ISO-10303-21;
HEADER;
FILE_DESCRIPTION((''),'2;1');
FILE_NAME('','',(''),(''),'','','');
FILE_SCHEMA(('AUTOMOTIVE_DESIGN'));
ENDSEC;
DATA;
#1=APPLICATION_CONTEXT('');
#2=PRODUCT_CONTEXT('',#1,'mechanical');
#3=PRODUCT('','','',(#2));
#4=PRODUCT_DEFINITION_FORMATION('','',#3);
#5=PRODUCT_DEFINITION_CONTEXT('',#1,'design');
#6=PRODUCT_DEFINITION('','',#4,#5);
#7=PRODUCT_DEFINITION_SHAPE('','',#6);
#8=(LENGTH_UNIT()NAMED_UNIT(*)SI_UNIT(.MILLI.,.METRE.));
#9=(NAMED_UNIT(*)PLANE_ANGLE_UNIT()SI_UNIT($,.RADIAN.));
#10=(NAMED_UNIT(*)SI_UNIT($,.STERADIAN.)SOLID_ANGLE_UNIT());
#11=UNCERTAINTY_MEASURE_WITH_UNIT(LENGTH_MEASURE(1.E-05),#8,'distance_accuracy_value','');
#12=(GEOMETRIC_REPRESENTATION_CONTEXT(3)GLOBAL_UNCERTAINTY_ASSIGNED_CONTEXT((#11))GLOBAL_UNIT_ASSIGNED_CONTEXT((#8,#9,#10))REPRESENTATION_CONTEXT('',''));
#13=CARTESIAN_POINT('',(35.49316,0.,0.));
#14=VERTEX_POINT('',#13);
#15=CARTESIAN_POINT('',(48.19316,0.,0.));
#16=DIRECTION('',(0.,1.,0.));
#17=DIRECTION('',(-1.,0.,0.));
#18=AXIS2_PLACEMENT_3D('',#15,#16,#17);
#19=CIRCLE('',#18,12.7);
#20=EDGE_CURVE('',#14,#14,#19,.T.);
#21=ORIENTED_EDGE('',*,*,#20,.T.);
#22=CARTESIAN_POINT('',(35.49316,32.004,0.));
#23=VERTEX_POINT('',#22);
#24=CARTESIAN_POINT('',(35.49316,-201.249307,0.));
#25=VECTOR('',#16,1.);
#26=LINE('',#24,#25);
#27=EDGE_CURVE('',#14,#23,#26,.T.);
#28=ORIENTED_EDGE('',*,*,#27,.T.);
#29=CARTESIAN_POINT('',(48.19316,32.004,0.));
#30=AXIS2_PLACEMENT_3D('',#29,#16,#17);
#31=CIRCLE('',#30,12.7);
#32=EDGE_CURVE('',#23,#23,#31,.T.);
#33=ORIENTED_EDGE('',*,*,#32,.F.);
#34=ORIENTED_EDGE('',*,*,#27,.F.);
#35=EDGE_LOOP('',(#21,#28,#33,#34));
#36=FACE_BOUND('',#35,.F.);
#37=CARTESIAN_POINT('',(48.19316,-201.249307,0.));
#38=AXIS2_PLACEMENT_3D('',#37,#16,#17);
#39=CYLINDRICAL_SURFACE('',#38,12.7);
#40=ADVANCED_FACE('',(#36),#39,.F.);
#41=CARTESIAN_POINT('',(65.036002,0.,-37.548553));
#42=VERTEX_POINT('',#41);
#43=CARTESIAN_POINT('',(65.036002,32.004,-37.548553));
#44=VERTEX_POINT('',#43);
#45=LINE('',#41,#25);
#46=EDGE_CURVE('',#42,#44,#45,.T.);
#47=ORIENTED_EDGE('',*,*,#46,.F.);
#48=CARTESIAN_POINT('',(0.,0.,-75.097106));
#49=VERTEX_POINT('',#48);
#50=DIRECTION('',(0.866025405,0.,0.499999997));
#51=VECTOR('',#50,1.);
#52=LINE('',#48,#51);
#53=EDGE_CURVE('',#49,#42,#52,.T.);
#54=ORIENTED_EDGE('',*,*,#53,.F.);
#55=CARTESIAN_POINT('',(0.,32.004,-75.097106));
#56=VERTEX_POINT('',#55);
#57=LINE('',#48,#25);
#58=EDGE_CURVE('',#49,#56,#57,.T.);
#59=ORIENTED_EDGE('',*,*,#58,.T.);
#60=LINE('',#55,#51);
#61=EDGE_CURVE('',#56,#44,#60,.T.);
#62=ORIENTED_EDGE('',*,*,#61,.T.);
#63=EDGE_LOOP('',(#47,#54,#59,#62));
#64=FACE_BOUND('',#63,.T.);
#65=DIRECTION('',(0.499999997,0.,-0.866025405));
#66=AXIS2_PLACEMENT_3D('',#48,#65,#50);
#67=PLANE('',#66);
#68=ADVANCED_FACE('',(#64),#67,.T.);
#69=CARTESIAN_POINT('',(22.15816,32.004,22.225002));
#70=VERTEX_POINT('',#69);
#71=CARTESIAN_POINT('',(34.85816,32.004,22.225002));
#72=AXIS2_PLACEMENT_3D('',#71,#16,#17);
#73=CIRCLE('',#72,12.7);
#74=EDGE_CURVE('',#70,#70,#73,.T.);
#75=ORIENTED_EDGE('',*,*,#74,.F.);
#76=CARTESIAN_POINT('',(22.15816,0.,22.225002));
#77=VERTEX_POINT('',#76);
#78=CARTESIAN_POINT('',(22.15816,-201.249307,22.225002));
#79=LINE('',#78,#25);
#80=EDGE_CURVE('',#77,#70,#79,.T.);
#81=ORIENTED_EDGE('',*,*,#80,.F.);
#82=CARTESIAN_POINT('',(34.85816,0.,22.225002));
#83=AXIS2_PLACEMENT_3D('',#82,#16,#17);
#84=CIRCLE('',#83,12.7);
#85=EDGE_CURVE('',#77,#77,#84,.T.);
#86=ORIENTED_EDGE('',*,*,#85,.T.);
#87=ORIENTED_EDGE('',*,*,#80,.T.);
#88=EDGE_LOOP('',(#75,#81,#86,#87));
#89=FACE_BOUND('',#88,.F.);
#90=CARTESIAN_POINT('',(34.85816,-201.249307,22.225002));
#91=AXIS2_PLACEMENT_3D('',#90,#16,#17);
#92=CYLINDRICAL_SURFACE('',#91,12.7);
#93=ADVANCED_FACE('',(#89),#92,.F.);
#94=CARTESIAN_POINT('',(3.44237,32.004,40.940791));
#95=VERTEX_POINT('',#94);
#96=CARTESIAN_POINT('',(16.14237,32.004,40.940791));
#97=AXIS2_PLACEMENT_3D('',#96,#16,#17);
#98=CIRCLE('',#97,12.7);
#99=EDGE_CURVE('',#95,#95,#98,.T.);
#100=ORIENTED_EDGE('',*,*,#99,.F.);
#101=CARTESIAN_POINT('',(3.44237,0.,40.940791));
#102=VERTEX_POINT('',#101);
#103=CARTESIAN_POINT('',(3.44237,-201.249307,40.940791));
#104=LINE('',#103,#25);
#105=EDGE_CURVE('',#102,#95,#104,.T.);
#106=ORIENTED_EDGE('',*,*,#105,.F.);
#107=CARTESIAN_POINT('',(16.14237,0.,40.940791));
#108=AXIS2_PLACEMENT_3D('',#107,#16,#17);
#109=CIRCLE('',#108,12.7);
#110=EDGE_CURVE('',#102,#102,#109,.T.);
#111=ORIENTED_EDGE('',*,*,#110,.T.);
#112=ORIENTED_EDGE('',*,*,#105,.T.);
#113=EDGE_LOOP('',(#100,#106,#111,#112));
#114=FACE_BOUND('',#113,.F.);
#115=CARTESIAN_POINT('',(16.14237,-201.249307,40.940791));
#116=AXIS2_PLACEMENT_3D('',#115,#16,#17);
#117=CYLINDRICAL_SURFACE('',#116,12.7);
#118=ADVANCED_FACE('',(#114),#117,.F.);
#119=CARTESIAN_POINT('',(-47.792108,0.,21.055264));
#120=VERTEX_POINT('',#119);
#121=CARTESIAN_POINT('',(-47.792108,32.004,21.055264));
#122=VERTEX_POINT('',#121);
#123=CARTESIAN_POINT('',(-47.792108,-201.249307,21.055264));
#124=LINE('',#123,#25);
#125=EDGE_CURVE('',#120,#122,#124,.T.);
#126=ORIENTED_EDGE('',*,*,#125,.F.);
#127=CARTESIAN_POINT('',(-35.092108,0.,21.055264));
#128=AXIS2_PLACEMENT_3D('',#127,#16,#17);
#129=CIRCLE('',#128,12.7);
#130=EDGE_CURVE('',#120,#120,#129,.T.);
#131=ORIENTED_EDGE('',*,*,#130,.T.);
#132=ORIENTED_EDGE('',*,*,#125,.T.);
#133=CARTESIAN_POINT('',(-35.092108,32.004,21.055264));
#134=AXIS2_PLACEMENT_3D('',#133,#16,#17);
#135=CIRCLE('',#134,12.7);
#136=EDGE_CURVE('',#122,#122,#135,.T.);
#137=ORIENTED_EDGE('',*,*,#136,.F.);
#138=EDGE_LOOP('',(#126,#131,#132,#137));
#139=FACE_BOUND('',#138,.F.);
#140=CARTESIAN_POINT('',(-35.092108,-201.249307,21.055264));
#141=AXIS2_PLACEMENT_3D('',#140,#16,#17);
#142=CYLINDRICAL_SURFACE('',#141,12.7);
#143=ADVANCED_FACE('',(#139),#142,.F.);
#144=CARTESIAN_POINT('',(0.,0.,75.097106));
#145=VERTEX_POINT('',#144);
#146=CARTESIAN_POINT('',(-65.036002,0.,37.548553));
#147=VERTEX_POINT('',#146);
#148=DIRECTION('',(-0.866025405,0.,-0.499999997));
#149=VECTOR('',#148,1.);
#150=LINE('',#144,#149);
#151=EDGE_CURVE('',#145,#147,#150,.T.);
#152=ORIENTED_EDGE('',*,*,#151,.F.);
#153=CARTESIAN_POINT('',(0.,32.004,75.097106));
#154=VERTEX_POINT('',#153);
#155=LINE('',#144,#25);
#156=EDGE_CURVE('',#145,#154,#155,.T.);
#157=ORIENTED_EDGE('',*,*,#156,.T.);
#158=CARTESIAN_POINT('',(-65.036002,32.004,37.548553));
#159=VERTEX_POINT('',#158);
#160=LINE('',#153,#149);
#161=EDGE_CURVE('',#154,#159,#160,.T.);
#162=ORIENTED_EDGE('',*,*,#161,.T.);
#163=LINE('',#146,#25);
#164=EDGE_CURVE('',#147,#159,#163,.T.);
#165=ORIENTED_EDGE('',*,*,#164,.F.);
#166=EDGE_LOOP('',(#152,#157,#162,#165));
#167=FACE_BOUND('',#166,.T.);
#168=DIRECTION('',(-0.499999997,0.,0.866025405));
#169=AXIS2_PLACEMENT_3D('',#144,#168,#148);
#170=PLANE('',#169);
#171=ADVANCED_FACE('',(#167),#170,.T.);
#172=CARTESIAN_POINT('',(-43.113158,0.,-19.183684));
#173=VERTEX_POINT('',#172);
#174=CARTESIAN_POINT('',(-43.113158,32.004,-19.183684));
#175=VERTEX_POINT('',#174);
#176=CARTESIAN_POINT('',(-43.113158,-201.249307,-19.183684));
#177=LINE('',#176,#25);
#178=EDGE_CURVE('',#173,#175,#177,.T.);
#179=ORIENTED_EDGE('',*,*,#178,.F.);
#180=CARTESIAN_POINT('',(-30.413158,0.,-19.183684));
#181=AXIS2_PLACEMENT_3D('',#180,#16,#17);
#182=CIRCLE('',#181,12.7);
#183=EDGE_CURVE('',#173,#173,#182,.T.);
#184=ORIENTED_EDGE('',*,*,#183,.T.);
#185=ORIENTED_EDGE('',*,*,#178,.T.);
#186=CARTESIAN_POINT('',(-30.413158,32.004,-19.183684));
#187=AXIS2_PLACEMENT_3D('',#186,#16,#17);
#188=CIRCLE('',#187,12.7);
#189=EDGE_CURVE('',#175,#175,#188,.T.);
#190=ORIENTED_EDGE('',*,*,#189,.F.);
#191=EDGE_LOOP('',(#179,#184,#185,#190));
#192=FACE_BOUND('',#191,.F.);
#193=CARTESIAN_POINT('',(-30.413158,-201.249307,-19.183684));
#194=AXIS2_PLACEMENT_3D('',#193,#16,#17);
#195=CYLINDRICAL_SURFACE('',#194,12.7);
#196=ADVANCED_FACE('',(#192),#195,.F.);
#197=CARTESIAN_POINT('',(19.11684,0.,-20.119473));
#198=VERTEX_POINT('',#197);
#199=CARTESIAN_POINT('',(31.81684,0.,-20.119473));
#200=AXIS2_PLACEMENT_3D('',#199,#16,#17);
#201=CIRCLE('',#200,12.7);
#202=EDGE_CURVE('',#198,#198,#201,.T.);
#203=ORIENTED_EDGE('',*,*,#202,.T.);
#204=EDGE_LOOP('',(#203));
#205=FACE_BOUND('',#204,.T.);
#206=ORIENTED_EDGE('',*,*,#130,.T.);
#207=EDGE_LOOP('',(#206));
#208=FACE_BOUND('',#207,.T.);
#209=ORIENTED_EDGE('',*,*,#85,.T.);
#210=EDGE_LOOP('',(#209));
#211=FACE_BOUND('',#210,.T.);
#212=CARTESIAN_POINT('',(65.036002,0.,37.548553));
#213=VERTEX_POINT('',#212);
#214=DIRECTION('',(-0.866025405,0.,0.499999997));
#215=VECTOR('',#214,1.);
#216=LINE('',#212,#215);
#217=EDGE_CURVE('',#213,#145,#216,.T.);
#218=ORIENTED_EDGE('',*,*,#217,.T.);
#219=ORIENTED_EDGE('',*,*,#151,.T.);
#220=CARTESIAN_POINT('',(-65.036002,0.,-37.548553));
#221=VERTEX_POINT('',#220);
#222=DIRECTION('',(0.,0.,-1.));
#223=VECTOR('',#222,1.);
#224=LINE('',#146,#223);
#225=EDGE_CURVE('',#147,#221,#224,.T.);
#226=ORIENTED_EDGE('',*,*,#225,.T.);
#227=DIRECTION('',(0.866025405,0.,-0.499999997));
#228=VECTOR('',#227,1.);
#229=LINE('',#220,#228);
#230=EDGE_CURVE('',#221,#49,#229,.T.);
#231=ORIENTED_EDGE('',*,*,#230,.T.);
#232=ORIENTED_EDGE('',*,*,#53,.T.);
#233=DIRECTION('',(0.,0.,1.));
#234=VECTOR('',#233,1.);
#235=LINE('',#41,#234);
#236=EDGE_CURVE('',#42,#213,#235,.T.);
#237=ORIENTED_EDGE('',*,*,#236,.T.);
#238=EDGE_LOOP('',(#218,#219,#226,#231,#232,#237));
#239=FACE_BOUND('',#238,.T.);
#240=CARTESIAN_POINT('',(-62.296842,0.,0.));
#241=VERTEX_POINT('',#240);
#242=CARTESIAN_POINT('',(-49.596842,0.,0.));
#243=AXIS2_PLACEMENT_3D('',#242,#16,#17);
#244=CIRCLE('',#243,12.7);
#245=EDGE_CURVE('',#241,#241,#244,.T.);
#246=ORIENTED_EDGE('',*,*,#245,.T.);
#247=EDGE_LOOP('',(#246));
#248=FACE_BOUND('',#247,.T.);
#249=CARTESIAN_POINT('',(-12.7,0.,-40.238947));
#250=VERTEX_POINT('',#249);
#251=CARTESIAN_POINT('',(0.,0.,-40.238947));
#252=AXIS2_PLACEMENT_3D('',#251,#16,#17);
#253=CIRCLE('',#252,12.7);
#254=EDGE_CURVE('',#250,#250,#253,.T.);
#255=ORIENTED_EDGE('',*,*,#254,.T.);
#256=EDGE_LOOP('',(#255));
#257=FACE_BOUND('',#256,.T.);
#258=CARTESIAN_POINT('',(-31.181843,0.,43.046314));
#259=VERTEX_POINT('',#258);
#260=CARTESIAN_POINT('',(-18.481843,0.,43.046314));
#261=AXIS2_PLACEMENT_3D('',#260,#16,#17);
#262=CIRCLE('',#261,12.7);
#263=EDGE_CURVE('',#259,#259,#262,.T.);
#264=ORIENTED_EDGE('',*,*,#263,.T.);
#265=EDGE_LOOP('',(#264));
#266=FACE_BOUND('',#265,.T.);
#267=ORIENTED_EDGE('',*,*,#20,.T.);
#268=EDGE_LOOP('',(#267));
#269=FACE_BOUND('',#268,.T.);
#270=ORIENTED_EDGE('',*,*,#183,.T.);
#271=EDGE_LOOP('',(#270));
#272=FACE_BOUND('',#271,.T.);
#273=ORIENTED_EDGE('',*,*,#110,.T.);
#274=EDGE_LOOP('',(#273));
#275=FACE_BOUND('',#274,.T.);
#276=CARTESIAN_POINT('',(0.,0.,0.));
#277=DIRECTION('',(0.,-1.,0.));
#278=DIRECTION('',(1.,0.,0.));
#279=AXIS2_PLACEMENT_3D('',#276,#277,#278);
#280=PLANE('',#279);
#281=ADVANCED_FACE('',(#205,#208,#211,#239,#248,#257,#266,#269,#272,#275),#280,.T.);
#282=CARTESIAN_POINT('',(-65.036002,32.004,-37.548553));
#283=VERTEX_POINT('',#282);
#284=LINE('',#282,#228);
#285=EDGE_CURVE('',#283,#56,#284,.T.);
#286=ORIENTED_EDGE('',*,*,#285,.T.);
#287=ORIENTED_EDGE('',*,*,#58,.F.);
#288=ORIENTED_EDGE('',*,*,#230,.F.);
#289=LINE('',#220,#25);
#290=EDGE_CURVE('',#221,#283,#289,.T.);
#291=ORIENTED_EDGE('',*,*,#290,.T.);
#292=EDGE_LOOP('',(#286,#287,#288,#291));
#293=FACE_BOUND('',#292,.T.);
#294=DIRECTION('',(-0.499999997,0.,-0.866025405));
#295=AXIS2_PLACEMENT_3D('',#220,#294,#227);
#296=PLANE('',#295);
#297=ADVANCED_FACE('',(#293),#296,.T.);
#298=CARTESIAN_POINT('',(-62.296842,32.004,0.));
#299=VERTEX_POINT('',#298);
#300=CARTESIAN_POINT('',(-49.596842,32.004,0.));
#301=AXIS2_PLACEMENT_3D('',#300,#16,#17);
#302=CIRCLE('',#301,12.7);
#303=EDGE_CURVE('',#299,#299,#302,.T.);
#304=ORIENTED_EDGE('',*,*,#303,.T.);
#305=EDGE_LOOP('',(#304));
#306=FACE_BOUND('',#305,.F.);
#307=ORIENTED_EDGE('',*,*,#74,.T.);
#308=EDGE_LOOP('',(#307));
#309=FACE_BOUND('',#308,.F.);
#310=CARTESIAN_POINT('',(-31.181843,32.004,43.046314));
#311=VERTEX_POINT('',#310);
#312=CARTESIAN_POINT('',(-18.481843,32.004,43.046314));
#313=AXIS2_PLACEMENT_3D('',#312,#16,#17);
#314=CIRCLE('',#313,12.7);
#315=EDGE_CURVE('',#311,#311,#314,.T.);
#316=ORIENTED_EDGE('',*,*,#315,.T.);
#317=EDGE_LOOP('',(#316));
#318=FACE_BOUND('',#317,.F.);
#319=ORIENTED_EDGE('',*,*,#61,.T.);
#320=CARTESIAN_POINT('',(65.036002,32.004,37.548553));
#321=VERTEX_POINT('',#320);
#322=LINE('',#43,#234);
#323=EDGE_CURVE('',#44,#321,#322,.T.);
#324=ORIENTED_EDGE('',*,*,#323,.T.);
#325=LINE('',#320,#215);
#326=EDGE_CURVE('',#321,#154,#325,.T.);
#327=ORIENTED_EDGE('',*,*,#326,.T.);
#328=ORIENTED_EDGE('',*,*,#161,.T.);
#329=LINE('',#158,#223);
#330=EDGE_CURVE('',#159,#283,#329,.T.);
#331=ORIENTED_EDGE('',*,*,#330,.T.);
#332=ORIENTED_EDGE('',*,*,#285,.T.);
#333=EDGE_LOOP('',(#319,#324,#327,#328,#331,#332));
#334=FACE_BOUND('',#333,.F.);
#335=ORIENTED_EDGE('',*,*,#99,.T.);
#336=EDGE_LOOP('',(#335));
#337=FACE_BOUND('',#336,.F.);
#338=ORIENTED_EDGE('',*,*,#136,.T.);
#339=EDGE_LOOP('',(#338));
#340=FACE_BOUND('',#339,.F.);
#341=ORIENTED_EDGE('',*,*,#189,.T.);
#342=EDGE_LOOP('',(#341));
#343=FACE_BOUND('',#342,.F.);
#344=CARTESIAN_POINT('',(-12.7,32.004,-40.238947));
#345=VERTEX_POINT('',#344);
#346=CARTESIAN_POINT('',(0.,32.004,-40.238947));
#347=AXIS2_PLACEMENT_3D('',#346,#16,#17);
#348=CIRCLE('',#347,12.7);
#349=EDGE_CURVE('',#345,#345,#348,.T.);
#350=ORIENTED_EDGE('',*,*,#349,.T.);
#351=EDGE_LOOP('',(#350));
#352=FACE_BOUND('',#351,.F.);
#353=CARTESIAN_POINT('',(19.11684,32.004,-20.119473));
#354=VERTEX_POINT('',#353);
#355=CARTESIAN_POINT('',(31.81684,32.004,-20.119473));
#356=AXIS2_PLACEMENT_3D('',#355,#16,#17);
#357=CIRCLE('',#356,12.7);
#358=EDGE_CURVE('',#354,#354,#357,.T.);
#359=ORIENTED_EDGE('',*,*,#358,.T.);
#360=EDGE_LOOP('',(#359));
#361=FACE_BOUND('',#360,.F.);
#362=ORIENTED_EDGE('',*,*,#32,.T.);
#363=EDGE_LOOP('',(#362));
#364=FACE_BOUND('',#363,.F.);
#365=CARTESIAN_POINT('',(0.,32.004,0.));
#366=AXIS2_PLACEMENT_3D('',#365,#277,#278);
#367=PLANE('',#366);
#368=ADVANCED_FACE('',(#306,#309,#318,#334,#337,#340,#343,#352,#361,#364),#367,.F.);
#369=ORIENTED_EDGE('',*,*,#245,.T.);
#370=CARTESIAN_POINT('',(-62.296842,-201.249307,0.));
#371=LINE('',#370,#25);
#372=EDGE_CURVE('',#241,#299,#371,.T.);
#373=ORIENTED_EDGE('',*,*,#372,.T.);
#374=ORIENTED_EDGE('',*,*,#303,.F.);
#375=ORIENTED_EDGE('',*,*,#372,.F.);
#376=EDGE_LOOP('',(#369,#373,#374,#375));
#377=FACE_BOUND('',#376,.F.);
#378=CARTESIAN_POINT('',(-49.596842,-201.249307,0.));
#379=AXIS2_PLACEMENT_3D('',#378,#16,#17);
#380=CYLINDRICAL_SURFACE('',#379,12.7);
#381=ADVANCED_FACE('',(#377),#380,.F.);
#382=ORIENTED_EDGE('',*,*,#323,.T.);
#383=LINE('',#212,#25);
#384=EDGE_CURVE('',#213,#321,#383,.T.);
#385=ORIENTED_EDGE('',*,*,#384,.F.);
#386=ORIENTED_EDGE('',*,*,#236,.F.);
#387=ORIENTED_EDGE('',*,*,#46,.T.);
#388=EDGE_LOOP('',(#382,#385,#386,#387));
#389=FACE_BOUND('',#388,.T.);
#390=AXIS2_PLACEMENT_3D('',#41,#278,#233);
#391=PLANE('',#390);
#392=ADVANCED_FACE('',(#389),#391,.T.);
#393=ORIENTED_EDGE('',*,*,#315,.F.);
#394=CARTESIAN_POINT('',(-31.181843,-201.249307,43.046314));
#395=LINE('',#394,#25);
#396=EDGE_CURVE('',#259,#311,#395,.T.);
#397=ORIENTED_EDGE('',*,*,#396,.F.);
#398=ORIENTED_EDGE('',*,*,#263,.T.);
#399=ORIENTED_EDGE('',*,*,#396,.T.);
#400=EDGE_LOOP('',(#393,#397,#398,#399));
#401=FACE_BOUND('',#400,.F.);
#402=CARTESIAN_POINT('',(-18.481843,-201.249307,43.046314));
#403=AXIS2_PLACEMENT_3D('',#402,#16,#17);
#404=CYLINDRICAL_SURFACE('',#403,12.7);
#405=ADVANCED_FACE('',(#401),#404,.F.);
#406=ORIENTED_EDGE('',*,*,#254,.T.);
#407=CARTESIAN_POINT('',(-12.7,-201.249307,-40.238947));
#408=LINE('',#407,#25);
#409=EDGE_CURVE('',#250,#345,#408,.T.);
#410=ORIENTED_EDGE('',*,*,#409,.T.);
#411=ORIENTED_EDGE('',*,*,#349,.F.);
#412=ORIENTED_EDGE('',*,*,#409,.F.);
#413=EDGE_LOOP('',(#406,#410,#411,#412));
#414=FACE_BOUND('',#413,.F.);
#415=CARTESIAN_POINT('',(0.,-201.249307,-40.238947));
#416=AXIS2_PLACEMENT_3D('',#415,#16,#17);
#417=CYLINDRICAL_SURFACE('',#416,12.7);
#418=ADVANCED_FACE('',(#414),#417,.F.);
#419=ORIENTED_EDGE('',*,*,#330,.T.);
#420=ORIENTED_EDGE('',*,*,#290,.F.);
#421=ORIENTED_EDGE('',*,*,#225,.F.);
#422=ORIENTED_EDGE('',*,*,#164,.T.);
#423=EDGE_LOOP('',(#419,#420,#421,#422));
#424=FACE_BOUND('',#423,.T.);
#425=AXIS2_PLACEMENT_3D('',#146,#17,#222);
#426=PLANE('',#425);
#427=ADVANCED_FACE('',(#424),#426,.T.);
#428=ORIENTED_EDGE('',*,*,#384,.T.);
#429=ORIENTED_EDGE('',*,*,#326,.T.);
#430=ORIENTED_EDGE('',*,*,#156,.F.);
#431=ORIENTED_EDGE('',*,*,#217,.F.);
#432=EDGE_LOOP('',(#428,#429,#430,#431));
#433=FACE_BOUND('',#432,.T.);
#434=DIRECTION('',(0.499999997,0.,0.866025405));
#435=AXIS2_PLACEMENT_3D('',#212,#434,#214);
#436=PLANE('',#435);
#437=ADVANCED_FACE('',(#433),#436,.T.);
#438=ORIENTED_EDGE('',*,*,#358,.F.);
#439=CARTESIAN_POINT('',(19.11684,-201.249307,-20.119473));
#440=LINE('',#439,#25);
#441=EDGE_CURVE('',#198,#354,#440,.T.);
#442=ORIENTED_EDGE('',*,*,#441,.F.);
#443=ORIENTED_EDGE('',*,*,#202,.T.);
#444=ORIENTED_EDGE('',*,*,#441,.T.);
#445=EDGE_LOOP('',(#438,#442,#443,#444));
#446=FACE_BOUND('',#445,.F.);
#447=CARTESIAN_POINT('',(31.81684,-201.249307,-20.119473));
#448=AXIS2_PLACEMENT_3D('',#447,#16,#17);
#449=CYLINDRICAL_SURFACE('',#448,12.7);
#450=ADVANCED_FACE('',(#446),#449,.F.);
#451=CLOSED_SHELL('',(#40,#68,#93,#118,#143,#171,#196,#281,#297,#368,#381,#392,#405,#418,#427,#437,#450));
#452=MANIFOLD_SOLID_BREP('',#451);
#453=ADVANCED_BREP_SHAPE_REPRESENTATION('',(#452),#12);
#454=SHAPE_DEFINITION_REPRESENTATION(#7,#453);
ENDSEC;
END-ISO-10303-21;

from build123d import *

# Parameters (mm, degrees)
F8_DEPTH = 32.004
F9_D     = 25.4


with BuildPart() as f8:
    # F0 (on Front) → F8 (new body)
    with BuildSketch(Plane.XZ):
        Polygon((65.036002, -37.548553), (65.036002, 37.548553), (0, 75.097106), (-65.036002, 37.548553), (-65.036002, -37.548553), (0, -75.097106), align=None)
    extrude(amount=-F8_DEPTH)

    # F9 (through all)
    with Locations(Plane.XZ):
        with Locations((-18.481843, 43.046314), (16.14237, 40.940791), (34.85816, 22.225002), (48.19316, 0), (0, -40.238947), (-30.413158, -19.183684), (-49.596842, 0), (-35.092108, 21.055264), (31.81684, -20.119473)):
            Hole(F9_D / 2)


solid = f8.part
